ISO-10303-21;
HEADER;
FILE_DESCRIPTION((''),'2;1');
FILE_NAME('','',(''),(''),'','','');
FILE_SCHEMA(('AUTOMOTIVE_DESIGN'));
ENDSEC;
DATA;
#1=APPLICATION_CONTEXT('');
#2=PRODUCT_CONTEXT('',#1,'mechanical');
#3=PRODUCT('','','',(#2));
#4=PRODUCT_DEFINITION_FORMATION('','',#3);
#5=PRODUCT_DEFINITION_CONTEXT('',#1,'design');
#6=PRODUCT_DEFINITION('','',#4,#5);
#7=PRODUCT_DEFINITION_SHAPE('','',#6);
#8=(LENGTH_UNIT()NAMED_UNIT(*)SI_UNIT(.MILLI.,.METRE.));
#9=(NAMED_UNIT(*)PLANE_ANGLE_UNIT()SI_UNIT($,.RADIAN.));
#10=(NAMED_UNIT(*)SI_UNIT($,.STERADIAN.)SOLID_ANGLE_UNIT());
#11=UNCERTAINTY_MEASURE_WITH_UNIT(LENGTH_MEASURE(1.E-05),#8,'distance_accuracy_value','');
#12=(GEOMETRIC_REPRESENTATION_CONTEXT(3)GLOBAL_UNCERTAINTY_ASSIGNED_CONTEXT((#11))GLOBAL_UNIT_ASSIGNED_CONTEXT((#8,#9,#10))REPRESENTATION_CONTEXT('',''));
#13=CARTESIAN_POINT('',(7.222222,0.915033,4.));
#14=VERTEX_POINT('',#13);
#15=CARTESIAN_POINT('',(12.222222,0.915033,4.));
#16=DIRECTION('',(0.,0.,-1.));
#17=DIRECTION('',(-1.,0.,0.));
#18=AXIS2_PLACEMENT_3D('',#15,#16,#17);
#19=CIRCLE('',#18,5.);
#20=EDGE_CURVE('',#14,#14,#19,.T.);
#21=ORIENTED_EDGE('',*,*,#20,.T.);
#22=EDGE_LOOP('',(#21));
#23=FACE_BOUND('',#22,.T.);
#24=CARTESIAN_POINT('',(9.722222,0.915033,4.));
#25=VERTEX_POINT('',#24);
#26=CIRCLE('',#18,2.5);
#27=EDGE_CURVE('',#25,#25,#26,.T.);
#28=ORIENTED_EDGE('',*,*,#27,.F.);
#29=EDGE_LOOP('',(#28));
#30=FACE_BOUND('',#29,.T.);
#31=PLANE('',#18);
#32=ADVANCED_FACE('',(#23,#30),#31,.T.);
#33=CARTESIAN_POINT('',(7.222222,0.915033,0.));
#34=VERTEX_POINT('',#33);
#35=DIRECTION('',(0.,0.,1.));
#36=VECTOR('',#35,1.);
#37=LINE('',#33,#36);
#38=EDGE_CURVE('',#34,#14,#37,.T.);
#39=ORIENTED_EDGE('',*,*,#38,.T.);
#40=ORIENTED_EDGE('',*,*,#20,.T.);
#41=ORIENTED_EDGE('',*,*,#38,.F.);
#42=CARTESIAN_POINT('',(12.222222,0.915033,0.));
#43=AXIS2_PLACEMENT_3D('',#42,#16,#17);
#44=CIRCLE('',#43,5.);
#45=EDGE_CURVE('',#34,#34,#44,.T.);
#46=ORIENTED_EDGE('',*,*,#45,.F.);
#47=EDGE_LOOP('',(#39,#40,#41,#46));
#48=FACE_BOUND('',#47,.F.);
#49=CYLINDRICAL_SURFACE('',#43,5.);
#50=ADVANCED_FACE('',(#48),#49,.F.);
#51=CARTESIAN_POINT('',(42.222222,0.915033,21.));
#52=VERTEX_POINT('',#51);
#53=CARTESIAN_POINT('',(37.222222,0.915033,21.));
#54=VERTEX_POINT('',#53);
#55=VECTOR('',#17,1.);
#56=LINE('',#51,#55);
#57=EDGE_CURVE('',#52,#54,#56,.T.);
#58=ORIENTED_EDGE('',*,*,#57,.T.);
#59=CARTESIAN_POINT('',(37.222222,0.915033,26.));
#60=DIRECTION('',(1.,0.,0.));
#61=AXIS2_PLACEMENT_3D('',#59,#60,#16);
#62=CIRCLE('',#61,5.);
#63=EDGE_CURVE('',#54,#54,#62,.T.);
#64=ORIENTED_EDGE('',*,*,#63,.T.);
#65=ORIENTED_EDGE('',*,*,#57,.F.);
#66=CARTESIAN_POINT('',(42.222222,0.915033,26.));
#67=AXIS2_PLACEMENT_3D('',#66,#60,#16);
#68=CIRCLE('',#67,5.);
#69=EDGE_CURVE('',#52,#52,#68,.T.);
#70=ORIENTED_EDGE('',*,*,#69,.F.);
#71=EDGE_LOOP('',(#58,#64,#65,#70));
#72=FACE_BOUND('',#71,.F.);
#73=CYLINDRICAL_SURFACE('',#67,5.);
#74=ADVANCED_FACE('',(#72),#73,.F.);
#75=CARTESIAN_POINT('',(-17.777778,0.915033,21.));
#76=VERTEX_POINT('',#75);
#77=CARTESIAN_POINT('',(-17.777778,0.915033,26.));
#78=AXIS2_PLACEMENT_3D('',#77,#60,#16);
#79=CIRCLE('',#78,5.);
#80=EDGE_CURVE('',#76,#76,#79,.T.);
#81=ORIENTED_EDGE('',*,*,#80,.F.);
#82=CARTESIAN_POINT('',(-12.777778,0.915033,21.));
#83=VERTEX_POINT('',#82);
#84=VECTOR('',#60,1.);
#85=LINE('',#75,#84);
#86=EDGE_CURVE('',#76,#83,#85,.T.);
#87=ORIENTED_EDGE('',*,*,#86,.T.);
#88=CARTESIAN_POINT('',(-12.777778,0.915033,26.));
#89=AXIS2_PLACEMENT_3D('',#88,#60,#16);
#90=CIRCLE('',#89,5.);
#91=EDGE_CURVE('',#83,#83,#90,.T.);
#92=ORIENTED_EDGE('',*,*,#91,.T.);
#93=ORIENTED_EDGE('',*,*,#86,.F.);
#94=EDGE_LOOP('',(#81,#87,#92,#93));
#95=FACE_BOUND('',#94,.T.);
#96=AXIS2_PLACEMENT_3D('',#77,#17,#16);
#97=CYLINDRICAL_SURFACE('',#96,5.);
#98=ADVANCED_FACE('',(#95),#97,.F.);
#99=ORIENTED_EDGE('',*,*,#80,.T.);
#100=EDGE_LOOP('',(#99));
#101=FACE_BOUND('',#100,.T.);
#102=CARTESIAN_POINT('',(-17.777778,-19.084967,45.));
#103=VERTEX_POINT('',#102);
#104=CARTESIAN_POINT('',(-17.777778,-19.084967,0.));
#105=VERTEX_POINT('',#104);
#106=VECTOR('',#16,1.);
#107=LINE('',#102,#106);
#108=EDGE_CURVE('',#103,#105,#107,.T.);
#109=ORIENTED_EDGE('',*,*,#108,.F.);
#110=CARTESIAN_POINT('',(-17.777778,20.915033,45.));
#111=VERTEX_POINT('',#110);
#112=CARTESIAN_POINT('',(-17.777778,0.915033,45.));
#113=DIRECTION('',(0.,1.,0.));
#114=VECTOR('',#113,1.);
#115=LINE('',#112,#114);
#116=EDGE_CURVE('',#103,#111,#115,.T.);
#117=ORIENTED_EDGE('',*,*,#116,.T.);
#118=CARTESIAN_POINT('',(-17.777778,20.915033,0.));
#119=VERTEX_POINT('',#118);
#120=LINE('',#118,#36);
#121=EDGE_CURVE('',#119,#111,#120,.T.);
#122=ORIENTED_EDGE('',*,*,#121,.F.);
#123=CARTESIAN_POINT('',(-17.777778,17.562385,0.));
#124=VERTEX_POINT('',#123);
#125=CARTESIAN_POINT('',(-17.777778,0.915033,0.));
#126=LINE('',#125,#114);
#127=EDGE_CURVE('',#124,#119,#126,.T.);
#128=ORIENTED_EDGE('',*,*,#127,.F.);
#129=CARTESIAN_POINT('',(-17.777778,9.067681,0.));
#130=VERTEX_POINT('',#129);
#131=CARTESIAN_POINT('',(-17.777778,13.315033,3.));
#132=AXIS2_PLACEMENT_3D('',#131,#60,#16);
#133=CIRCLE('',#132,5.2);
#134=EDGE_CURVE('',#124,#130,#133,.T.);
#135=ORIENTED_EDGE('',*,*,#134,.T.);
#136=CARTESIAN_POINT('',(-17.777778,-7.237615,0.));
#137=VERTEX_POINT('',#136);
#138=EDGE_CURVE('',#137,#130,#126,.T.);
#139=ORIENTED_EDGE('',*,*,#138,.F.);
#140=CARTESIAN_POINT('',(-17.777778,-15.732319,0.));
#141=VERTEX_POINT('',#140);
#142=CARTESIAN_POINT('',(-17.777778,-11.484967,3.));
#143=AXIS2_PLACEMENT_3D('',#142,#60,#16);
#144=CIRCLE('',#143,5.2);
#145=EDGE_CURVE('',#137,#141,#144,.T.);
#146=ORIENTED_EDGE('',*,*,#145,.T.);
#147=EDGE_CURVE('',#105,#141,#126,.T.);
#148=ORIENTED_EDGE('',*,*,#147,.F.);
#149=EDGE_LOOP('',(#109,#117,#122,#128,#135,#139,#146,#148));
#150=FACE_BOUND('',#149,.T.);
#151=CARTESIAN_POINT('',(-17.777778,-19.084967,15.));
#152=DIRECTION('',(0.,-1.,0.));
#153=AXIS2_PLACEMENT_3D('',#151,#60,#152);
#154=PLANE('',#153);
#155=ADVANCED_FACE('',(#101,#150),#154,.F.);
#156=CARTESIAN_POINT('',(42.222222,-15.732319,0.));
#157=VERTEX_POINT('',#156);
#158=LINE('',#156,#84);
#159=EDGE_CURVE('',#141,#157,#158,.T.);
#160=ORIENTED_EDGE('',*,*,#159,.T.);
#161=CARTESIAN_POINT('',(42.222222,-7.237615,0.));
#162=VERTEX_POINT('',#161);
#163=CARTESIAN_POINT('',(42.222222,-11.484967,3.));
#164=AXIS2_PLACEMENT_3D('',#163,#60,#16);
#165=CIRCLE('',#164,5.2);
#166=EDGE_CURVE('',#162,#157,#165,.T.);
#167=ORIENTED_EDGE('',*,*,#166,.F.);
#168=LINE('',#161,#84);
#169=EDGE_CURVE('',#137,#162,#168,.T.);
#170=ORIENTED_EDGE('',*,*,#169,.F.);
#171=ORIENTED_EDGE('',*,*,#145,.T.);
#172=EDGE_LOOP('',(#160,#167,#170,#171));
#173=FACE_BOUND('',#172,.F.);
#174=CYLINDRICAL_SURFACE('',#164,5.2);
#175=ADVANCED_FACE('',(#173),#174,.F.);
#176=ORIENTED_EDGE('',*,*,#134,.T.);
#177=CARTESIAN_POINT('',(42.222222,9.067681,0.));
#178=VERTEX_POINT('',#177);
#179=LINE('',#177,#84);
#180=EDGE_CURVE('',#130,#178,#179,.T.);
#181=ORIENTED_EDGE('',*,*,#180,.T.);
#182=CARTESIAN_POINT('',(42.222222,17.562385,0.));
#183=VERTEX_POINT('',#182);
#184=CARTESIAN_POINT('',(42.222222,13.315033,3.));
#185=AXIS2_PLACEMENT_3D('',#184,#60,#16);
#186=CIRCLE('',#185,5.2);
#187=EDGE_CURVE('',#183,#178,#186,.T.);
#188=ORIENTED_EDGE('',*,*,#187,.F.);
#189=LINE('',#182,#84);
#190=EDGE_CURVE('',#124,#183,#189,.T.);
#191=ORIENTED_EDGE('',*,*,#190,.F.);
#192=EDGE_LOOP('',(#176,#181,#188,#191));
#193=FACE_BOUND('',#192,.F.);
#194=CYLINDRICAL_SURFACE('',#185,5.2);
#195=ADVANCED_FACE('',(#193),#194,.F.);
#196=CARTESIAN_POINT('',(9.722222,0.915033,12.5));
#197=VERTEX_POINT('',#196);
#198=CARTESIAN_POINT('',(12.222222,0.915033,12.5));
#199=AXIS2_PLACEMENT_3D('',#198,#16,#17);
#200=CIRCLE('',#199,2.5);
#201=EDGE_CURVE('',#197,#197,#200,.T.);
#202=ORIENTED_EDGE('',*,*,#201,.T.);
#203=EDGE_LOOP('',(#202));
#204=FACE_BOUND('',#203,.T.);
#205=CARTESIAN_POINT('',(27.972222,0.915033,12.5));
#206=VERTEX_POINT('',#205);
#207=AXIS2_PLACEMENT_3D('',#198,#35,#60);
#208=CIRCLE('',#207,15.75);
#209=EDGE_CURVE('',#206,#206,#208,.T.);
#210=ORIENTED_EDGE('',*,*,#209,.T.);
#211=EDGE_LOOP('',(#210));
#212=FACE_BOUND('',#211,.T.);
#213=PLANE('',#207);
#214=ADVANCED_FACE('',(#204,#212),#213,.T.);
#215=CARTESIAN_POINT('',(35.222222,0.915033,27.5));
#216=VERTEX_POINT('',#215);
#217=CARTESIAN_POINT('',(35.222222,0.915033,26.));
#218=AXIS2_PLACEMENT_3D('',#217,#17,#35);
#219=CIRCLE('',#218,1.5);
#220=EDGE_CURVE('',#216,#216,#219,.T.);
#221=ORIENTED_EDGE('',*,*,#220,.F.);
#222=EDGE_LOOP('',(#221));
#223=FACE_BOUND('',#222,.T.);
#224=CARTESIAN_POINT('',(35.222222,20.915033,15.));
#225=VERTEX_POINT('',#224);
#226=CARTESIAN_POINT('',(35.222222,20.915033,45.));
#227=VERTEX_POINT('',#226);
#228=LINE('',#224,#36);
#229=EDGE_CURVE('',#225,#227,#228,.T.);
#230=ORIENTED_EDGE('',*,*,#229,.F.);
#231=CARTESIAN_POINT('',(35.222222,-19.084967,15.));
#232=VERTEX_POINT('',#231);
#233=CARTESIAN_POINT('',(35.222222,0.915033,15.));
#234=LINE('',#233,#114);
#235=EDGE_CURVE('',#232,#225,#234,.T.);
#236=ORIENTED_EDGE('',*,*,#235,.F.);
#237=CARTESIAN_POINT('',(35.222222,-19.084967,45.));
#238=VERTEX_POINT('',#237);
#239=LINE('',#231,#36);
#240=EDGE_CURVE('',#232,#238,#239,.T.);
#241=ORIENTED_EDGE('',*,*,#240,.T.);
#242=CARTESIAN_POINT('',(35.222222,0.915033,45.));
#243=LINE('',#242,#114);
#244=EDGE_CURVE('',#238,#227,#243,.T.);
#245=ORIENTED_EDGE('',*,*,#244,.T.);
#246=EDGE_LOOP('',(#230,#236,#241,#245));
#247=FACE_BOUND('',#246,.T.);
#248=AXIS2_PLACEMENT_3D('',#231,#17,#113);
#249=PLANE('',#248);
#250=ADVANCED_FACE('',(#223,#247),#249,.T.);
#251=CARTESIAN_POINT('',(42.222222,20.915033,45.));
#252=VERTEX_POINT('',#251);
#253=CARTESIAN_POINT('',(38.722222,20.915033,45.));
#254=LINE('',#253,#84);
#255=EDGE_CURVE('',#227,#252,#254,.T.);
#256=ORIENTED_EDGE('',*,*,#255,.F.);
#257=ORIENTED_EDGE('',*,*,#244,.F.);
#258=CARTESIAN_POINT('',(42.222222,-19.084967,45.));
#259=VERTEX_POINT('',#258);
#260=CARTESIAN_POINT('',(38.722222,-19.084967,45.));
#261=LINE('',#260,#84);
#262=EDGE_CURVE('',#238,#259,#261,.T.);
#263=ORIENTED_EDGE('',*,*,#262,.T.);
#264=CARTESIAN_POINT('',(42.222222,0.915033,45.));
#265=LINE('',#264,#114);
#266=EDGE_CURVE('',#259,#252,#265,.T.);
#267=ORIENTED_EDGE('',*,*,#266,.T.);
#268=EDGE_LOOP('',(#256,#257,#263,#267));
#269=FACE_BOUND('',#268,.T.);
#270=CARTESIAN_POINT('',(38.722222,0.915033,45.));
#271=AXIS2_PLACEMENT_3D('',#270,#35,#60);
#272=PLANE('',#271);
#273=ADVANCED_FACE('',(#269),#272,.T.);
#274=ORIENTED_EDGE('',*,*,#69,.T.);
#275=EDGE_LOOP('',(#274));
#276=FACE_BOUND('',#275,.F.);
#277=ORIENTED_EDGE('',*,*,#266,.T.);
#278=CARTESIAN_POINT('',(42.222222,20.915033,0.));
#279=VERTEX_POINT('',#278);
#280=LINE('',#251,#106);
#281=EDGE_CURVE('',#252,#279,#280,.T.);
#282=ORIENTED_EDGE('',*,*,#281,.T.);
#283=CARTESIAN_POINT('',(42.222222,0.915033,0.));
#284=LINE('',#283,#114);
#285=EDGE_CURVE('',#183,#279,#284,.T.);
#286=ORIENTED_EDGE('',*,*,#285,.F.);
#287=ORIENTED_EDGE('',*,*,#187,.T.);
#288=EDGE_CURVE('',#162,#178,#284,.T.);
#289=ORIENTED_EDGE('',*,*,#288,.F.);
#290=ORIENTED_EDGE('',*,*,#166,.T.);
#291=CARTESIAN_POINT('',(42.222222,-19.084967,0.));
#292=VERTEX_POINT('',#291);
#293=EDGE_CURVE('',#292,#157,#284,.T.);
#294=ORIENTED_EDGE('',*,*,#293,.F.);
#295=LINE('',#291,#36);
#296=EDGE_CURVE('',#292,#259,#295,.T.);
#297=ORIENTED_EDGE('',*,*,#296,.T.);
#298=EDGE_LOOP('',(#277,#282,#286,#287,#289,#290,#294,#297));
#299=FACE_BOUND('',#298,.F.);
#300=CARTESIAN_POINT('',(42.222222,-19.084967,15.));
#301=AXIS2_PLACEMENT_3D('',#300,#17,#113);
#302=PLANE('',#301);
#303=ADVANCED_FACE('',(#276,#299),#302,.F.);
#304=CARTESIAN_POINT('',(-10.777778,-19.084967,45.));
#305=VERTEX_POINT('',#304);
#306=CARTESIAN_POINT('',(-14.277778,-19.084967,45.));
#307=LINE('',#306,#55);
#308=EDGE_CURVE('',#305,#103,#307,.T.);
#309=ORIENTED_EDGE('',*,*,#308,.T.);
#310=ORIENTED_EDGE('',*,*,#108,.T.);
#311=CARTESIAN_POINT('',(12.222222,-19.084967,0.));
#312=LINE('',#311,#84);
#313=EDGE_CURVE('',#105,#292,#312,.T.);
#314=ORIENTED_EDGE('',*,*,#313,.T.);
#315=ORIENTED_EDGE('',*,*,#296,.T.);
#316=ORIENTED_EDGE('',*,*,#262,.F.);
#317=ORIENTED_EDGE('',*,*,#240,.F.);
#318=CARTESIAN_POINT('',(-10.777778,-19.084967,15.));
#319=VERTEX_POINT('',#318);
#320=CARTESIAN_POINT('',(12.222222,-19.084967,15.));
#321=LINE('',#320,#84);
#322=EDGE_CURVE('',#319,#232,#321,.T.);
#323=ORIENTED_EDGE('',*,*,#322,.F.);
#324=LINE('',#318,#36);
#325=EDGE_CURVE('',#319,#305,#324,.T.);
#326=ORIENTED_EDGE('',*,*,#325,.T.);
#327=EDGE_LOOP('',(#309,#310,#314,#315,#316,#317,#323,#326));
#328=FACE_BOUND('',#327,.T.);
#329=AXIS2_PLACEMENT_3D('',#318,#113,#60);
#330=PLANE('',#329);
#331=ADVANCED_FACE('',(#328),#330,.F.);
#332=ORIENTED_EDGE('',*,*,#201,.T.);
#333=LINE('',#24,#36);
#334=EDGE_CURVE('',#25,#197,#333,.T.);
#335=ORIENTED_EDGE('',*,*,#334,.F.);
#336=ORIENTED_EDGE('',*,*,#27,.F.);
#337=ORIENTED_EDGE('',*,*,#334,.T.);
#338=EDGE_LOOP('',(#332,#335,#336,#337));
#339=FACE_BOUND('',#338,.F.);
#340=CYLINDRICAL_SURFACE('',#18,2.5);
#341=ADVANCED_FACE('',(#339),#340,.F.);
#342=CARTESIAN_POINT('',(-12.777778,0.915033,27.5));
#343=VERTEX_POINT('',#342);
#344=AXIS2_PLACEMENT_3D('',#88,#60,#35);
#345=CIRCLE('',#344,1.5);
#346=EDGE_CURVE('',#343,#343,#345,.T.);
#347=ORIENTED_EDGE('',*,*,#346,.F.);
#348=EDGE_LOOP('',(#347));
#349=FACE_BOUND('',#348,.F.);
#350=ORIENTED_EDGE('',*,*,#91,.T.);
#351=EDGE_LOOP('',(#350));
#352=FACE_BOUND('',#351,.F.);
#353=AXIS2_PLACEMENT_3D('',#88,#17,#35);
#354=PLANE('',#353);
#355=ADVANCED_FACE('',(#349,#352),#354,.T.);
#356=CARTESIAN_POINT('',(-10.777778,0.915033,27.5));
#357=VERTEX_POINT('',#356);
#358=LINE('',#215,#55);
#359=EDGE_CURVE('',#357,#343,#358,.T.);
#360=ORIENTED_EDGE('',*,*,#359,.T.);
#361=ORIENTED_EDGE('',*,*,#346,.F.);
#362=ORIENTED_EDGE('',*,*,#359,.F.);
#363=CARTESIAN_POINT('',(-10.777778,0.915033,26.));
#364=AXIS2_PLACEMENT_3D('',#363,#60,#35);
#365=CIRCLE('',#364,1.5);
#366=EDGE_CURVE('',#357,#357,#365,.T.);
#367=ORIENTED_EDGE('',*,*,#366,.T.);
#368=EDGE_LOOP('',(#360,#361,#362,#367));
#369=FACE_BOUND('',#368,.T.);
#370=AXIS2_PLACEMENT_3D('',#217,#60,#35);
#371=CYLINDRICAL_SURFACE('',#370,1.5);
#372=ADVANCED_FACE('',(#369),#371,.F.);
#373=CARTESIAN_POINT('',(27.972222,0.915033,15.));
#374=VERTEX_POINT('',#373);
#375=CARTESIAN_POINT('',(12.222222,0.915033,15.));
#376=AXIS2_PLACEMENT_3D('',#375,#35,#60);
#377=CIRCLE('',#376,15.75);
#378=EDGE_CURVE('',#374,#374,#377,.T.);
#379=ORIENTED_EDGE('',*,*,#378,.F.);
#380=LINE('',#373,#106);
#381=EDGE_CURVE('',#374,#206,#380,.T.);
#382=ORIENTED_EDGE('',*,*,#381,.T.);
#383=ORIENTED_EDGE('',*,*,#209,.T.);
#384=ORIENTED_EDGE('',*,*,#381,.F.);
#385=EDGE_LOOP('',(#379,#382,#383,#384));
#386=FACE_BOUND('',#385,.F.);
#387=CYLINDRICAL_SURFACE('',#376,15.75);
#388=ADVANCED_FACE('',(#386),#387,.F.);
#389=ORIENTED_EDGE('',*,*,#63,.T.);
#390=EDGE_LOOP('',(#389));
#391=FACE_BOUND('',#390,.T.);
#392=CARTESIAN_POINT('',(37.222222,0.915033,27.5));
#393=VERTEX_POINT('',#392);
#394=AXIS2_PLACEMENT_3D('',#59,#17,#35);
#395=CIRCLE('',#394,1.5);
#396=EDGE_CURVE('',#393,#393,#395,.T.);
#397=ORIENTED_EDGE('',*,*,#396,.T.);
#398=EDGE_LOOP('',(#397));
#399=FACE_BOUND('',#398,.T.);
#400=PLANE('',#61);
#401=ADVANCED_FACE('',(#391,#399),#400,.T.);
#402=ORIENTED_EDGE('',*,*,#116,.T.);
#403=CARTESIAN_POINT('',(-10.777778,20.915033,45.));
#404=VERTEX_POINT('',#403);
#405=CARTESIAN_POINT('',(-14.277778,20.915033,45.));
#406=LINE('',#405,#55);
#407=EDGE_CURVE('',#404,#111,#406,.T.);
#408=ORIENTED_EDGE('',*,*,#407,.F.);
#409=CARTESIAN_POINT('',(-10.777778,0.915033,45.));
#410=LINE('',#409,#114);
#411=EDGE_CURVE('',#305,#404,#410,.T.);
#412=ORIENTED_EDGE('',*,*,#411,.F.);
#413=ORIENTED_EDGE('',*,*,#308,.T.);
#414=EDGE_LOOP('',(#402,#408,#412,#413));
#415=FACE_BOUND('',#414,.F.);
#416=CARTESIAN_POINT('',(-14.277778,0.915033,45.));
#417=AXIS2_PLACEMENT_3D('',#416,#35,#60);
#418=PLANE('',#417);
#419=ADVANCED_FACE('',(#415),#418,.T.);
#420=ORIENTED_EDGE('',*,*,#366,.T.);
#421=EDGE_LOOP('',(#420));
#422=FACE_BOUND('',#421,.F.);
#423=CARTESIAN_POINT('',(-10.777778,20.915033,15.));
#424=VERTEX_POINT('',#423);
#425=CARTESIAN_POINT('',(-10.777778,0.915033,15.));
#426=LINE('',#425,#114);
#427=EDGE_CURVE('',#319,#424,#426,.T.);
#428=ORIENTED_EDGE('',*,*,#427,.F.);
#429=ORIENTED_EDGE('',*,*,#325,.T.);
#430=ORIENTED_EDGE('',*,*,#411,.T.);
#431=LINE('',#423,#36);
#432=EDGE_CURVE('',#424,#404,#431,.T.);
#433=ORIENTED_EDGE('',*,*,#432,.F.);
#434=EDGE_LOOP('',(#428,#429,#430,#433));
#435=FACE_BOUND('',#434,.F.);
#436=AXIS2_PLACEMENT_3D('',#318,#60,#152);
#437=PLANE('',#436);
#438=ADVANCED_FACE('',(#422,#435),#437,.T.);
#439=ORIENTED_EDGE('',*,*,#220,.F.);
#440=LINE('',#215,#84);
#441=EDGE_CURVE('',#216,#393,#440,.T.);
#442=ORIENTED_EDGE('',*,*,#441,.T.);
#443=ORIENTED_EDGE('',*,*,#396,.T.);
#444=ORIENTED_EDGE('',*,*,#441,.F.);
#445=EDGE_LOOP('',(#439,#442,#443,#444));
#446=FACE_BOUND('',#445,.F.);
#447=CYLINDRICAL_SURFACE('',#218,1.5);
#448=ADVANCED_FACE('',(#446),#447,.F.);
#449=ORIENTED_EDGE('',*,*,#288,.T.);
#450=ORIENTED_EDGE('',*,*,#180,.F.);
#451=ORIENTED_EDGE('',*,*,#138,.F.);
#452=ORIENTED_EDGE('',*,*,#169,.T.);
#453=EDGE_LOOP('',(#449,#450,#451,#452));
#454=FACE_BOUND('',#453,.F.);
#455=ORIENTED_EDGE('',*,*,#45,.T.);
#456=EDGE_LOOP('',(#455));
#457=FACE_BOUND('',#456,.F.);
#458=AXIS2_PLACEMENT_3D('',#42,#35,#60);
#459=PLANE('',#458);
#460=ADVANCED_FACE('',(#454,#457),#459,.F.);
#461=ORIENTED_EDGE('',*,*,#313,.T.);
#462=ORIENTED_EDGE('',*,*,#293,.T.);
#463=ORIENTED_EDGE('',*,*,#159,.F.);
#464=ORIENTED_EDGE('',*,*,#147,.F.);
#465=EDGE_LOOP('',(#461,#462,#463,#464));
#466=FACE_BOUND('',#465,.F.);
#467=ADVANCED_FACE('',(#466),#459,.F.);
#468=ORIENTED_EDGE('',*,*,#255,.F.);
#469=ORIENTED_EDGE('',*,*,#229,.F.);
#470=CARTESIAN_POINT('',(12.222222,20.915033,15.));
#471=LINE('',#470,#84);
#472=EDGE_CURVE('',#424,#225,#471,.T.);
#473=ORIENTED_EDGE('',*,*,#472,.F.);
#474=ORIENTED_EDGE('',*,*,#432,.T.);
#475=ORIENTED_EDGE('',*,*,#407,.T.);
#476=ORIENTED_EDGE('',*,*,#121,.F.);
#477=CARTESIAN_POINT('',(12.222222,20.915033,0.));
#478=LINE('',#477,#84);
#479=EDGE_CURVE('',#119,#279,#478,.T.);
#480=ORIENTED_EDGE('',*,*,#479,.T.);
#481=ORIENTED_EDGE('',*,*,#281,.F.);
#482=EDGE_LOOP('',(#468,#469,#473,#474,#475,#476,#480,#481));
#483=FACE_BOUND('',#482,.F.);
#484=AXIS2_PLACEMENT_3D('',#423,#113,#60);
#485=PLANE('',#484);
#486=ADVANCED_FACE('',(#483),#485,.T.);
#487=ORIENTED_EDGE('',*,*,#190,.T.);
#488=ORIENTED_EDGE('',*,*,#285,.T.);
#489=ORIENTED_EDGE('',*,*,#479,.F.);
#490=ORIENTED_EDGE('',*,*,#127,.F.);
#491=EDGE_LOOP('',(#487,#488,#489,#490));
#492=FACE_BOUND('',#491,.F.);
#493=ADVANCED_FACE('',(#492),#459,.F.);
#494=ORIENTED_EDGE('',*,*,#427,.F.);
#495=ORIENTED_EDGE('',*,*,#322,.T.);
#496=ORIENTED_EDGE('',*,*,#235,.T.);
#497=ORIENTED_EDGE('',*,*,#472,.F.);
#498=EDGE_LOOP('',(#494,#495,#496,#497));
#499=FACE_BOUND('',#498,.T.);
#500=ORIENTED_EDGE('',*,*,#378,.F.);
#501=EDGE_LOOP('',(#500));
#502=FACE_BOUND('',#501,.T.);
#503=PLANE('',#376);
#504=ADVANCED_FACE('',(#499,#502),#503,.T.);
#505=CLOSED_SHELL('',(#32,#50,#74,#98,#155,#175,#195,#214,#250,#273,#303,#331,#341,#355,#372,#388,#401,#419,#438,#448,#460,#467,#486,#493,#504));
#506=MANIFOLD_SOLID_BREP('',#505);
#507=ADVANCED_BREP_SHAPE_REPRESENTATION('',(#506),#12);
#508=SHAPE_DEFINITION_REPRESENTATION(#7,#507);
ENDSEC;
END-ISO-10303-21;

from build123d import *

# Parameters (mm, degrees)
SKETCH1_W               = 60
SKETCH1_H               = 40
BOSS_EXTRUDE1_DEPTH     = 15
SKETCH3_R               = 5.2
CUT_EXTRUDE1_DEPTH      = 63
SKETCH4_W               = 7
SKETCH4_H               = 40
BOSS_EXTRUDE2_DEPTH     = 30
SKETCH5_R               = 5
CUT_EXTRUDE2_DEPTH      = 5
SKETCH6_R               = 5
CUT_EXTRUDE3_DEPTH      = 4
SKETCH7_R               = 2.5
CUT_EXTRUDE4_DEPTH      = 42
SKETCH8_R               = 15.75
CUT_EXTRUDE5_DEPTH      = 2.5
SKETCH9_R               = 1.5
CUT_EXTRUDE6_DEPTH      = 54
CUT_EXTRUDE6_DEPTH_BACK = 8


with BuildPart() as part:
    # Sketch1 → Boss-Extrude1 (new body)
    with BuildSketch(Plane.XY):
        with Locations((12.222222222, 0.91503268)):
            Rectangle(SKETCH1_W, SKETCH1_H)
    extrude(amount=BOSS_EXTRUDE1_DEPTH)

    # Sketch3 → Cut-Extrude1 (cut)
    with BuildSketch(Plane(origin=(42.222222222, 0, 0), x_dir=(0, 0, -1), z_dir=(1, 0, 0))):
        with Locations((-3, -11.48496732)):
            Circle(SKETCH3_R)
        with Locations((-3, 13.31503268)):
            Circle(SKETCH3_R)
    extrude(amount=-CUT_EXTRUDE1_DEPTH, mode=Mode.SUBTRACT)

    # Sketch4 → Boss-Extrude2 (add)
    with BuildSketch(Plane.XY.offset(15)):
        with Locations((38.722222222, 0.91503268)):
            Rectangle(SKETCH4_W, SKETCH4_H)
    boss_extrude2 = extrude(amount=BOSS_EXTRUDE2_DEPTH)

    # Sketch5 → Cut-Extrude2 (cut)
    with BuildSketch(Plane(origin=(42.222222222, 0, 0), x_dir=(0, 0, -1), z_dir=(1, 0, 0))):
        with Locations((-26, 0.91503268)):
            Circle(SKETCH5_R)
    cut_extrude2 = extrude(amount=-CUT_EXTRUDE2_DEPTH, mode=Mode.SUBTRACT)

    # Mirror1: Boss-Extrude2, Cut-Extrude2 across plane
    add(boss_extrude2.mirror(Plane.ZY.offset(-12.222222222)))
    add(cut_extrude2.mirror(Plane.ZY.offset(-12.222222222)), mode=Mode.SUBTRACT)

    # Sketch6 → Cut-Extrude3 (cut)
    with BuildSketch(Plane(origin=(0, 0, 0), x_dir=(-1, 0, 0), z_dir=(0, 0, -1))):
        with Locations((-12.222222222, 0.91503268)):
            Circle(SKETCH6_R)
    extrude(amount=-CUT_EXTRUDE3_DEPTH, mode=Mode.SUBTRACT)

    # Sketch7 → Cut-Extrude4 (cut, through all)
    with BuildSketch(Plane(origin=(0, 0, 4), x_dir=(-1, 0, 0), z_dir=(0, 0, -1))):
        with Locations((-12.222222222, 0.91503268)):
            Circle(SKETCH7_R)
    extrude(amount=-CUT_EXTRUDE4_DEPTH, mode=Mode.SUBTRACT)

    # Sketch8 → Cut-Extrude5 (cut)
    with BuildSketch(Plane.XY.offset(15)):
        with Locations((12.222222222, 0.91503268)):
            Circle(SKETCH8_R)
    extrude(amount=-CUT_EXTRUDE5_DEPTH, mode=Mode.SUBTRACT)

    # Sketch9 → Cut-Extrude6 (cut, two sides)
    with BuildSketch(Plane.ZY.offset(-35.222222222)) as cut_extrude6_sk:
        with Locations((26, 0.91503268)):
            Circle(SKETCH9_R)
    extrude(amount=CUT_EXTRUDE6_DEPTH, mode=Mode.SUBTRACT)
    extrude(cut_extrude6_sk.sketch, amount=-CUT_EXTRUDE6_DEPTH_BACK, mode=Mode.SUBTRACT)


solid = part.part
